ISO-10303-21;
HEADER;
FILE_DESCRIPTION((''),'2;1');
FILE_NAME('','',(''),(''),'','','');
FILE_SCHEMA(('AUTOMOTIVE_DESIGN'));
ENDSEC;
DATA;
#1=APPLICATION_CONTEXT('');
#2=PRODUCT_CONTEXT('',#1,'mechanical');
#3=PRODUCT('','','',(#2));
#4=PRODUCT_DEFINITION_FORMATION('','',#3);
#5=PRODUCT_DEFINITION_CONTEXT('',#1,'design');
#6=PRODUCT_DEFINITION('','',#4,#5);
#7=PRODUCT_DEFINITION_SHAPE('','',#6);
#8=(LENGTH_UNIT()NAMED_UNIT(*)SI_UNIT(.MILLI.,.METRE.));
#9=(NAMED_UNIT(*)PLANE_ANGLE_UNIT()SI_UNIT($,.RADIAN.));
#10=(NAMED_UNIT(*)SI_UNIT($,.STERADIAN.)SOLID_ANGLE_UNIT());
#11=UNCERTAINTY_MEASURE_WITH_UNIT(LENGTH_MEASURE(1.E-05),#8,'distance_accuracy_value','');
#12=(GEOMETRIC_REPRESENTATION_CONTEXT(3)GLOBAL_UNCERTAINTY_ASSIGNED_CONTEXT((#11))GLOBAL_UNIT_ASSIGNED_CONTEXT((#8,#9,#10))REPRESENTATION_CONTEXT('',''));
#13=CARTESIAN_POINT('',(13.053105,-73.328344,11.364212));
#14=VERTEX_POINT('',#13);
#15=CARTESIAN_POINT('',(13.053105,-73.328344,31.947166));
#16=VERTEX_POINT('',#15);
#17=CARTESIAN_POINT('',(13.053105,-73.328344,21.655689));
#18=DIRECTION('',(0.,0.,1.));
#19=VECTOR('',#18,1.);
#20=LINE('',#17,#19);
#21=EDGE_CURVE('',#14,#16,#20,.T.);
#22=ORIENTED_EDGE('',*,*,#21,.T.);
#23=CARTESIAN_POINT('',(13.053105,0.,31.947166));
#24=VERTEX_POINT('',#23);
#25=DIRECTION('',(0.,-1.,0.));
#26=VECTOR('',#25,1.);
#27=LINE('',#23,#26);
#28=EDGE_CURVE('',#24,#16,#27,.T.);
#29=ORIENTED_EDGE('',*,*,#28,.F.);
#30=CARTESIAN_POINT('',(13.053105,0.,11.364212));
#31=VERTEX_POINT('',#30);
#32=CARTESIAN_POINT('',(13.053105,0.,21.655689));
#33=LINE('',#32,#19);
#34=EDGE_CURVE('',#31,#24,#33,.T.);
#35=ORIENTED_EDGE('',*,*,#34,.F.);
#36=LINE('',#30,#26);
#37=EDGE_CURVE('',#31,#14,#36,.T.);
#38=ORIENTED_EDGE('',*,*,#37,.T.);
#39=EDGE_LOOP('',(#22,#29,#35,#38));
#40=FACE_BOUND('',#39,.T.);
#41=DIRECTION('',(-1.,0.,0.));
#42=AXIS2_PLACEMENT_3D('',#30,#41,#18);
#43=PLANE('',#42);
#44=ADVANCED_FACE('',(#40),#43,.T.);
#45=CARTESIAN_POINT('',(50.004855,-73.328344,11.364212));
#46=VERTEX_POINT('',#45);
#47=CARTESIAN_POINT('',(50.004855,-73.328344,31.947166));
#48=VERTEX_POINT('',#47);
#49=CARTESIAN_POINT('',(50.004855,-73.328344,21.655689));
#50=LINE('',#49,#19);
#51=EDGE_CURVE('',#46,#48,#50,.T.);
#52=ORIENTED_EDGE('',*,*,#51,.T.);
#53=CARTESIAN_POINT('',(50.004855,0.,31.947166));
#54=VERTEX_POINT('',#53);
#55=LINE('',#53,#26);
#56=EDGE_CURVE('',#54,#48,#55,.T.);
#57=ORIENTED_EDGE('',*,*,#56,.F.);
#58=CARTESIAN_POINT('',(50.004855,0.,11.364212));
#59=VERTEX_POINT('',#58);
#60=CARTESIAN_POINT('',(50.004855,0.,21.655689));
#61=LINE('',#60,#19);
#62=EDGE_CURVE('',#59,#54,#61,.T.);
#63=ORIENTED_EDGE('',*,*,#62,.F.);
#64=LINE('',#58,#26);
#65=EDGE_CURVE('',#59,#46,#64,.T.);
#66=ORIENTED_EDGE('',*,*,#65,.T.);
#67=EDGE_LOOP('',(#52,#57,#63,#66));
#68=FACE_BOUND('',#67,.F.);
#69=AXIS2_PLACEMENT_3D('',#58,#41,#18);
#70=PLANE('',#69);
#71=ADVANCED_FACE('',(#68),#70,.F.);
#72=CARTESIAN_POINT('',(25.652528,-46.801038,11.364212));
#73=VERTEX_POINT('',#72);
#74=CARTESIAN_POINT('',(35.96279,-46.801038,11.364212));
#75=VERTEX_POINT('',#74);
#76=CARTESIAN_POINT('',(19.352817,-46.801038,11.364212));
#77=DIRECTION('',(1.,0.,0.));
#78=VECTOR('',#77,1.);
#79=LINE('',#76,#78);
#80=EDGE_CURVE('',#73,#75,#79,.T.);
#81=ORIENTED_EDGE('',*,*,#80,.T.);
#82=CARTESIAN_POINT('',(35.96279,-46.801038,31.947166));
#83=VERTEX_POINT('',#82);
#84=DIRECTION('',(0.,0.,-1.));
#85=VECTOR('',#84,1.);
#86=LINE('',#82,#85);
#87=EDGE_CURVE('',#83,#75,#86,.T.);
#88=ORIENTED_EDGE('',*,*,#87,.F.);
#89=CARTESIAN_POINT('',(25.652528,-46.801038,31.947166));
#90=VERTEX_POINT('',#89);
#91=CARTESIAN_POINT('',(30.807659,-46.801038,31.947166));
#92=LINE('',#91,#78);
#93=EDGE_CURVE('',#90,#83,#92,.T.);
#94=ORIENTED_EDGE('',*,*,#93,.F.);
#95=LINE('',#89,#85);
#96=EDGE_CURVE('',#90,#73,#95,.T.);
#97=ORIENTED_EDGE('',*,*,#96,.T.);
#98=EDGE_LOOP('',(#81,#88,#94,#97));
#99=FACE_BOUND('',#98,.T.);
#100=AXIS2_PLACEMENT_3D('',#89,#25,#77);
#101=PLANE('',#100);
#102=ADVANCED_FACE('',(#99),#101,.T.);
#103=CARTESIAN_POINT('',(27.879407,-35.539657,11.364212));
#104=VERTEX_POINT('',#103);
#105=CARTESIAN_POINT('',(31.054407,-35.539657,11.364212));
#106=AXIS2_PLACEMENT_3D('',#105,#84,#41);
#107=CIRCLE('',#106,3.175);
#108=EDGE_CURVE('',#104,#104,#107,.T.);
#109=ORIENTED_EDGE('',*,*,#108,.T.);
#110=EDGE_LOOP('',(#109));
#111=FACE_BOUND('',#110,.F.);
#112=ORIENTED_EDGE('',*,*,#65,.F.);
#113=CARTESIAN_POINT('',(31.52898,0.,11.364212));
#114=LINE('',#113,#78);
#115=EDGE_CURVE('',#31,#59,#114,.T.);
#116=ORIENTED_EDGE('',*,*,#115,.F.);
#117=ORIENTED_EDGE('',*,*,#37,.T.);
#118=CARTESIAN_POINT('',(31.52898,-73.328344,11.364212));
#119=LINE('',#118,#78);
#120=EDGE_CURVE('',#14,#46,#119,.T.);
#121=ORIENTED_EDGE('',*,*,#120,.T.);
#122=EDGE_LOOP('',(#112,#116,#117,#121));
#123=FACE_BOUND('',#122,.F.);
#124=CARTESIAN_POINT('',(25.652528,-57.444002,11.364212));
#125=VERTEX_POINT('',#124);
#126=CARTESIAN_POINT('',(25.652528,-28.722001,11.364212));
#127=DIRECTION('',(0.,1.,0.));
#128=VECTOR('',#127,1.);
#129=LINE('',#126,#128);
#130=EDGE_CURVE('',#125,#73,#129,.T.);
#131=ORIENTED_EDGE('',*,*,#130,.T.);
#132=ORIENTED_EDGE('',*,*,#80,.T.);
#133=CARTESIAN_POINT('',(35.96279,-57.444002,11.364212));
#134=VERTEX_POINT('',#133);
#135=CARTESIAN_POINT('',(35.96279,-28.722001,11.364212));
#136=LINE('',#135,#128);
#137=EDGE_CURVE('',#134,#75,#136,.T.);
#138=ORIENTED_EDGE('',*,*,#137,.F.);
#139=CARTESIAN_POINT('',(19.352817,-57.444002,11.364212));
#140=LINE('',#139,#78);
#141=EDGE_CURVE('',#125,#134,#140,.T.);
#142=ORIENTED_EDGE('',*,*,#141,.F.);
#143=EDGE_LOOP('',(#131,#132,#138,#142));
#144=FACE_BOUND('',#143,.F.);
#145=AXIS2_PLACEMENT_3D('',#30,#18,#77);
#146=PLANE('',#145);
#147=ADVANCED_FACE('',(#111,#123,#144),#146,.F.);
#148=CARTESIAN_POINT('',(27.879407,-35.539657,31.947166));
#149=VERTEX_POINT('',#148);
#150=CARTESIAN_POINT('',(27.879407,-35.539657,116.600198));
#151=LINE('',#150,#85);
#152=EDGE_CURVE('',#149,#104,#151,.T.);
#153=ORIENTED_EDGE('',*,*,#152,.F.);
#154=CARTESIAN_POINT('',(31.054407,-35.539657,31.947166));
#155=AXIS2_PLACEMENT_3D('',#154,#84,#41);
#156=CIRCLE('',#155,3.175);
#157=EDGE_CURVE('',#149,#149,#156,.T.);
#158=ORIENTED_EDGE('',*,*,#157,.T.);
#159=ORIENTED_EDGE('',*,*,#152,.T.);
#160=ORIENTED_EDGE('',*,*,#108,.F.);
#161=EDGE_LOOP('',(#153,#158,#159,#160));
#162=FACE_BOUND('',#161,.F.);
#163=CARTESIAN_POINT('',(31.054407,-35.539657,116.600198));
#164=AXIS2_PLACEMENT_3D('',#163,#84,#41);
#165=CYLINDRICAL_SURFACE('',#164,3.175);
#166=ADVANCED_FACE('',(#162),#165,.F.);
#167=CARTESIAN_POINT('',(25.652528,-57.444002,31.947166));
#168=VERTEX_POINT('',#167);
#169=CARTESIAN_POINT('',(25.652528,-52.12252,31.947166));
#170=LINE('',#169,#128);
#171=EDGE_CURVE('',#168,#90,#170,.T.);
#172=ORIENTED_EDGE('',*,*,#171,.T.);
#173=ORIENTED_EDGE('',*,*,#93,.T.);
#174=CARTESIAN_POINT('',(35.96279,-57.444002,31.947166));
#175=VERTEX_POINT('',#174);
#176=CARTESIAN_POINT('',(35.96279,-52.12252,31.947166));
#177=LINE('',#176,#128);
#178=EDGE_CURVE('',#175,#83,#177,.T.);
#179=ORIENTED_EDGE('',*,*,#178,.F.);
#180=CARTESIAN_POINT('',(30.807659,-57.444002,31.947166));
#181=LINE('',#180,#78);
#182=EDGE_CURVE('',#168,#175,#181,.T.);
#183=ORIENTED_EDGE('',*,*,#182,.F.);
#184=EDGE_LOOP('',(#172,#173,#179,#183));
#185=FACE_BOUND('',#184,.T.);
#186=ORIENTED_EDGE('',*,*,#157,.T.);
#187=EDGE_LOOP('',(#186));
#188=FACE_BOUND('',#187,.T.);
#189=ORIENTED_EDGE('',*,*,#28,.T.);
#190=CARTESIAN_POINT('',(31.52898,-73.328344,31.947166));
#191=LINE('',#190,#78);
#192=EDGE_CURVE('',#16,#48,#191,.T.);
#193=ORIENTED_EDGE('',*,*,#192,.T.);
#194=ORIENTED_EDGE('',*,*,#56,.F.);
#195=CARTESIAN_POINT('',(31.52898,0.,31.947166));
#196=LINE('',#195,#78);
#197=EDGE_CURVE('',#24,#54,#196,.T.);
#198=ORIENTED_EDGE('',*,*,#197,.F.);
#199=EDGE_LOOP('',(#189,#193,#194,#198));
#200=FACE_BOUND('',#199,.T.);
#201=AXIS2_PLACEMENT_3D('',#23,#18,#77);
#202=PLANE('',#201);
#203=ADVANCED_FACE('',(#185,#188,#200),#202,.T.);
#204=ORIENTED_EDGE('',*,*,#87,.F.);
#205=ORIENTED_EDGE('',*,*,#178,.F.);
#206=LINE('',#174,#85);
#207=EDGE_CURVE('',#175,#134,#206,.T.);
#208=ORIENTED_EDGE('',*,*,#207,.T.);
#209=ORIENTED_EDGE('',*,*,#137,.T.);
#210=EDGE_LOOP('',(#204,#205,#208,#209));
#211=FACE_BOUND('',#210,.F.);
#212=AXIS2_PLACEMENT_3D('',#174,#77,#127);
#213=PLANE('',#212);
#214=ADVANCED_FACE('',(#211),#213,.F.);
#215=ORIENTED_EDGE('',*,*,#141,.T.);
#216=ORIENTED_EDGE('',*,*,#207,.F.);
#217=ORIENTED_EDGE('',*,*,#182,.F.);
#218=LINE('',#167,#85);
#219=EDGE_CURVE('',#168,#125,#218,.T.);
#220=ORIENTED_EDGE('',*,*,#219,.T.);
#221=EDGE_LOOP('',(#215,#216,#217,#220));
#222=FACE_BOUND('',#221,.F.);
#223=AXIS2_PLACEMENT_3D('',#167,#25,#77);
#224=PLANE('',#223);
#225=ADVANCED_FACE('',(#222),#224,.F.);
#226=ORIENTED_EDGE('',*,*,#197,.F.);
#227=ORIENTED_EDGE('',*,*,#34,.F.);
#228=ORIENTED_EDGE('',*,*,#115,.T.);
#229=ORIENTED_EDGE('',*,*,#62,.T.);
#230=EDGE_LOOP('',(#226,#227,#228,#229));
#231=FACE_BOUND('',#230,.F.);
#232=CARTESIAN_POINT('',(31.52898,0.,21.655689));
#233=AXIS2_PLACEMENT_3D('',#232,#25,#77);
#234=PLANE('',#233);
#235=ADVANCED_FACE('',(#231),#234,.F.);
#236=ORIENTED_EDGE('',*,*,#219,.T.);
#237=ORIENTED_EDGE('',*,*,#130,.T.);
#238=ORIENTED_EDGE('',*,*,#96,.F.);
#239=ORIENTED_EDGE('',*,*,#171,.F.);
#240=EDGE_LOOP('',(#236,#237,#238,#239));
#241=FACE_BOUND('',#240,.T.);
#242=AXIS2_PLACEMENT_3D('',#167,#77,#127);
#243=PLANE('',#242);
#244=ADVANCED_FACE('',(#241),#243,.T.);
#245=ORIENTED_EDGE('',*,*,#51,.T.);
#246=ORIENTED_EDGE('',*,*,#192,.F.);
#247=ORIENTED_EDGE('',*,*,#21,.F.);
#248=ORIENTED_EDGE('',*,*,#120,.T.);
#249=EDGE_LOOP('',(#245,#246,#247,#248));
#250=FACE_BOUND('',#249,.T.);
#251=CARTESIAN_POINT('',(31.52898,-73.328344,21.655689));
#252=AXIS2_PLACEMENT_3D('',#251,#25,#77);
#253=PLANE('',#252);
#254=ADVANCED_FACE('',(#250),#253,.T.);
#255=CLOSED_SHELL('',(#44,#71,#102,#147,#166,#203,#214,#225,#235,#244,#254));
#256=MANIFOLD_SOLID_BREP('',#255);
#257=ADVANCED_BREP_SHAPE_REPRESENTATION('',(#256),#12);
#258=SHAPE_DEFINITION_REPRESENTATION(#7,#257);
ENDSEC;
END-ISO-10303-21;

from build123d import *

# Parameters (mm, degrees)
F0_W     = 36.951749
F0_H     = 20.582954
F1_DEPTH = 73.328344
F4_D     = 6.35
F5_W     = 10.310262
F5_H     = 10.642964
F3_DEPTH = 25.4


with BuildPart() as f1:
    # F0 (on Front) → F1 (new body)
    with BuildSketch(Plane.XZ):
        with Locations((31.52898, 21.655689)):
            Rectangle(F0_W, F0_H)
    extrude(amount=F1_DEPTH)

    # F4 (through all)
    with Locations(Plane.XY.offset(31.947166)):
        with Locations((31.054407, -35.539657)):
            Hole(F4_D / 2)

    # F5 (on face) → F3 (cut)
    with BuildSketch(Plane.XY.offset(31.947166)):
        with Locations((30.807659, -52.12252)):
            Rectangle(F5_W, F5_H)
    extrude(amount=-F3_DEPTH, mode=Mode.SUBTRACT)


solid = f1.part
